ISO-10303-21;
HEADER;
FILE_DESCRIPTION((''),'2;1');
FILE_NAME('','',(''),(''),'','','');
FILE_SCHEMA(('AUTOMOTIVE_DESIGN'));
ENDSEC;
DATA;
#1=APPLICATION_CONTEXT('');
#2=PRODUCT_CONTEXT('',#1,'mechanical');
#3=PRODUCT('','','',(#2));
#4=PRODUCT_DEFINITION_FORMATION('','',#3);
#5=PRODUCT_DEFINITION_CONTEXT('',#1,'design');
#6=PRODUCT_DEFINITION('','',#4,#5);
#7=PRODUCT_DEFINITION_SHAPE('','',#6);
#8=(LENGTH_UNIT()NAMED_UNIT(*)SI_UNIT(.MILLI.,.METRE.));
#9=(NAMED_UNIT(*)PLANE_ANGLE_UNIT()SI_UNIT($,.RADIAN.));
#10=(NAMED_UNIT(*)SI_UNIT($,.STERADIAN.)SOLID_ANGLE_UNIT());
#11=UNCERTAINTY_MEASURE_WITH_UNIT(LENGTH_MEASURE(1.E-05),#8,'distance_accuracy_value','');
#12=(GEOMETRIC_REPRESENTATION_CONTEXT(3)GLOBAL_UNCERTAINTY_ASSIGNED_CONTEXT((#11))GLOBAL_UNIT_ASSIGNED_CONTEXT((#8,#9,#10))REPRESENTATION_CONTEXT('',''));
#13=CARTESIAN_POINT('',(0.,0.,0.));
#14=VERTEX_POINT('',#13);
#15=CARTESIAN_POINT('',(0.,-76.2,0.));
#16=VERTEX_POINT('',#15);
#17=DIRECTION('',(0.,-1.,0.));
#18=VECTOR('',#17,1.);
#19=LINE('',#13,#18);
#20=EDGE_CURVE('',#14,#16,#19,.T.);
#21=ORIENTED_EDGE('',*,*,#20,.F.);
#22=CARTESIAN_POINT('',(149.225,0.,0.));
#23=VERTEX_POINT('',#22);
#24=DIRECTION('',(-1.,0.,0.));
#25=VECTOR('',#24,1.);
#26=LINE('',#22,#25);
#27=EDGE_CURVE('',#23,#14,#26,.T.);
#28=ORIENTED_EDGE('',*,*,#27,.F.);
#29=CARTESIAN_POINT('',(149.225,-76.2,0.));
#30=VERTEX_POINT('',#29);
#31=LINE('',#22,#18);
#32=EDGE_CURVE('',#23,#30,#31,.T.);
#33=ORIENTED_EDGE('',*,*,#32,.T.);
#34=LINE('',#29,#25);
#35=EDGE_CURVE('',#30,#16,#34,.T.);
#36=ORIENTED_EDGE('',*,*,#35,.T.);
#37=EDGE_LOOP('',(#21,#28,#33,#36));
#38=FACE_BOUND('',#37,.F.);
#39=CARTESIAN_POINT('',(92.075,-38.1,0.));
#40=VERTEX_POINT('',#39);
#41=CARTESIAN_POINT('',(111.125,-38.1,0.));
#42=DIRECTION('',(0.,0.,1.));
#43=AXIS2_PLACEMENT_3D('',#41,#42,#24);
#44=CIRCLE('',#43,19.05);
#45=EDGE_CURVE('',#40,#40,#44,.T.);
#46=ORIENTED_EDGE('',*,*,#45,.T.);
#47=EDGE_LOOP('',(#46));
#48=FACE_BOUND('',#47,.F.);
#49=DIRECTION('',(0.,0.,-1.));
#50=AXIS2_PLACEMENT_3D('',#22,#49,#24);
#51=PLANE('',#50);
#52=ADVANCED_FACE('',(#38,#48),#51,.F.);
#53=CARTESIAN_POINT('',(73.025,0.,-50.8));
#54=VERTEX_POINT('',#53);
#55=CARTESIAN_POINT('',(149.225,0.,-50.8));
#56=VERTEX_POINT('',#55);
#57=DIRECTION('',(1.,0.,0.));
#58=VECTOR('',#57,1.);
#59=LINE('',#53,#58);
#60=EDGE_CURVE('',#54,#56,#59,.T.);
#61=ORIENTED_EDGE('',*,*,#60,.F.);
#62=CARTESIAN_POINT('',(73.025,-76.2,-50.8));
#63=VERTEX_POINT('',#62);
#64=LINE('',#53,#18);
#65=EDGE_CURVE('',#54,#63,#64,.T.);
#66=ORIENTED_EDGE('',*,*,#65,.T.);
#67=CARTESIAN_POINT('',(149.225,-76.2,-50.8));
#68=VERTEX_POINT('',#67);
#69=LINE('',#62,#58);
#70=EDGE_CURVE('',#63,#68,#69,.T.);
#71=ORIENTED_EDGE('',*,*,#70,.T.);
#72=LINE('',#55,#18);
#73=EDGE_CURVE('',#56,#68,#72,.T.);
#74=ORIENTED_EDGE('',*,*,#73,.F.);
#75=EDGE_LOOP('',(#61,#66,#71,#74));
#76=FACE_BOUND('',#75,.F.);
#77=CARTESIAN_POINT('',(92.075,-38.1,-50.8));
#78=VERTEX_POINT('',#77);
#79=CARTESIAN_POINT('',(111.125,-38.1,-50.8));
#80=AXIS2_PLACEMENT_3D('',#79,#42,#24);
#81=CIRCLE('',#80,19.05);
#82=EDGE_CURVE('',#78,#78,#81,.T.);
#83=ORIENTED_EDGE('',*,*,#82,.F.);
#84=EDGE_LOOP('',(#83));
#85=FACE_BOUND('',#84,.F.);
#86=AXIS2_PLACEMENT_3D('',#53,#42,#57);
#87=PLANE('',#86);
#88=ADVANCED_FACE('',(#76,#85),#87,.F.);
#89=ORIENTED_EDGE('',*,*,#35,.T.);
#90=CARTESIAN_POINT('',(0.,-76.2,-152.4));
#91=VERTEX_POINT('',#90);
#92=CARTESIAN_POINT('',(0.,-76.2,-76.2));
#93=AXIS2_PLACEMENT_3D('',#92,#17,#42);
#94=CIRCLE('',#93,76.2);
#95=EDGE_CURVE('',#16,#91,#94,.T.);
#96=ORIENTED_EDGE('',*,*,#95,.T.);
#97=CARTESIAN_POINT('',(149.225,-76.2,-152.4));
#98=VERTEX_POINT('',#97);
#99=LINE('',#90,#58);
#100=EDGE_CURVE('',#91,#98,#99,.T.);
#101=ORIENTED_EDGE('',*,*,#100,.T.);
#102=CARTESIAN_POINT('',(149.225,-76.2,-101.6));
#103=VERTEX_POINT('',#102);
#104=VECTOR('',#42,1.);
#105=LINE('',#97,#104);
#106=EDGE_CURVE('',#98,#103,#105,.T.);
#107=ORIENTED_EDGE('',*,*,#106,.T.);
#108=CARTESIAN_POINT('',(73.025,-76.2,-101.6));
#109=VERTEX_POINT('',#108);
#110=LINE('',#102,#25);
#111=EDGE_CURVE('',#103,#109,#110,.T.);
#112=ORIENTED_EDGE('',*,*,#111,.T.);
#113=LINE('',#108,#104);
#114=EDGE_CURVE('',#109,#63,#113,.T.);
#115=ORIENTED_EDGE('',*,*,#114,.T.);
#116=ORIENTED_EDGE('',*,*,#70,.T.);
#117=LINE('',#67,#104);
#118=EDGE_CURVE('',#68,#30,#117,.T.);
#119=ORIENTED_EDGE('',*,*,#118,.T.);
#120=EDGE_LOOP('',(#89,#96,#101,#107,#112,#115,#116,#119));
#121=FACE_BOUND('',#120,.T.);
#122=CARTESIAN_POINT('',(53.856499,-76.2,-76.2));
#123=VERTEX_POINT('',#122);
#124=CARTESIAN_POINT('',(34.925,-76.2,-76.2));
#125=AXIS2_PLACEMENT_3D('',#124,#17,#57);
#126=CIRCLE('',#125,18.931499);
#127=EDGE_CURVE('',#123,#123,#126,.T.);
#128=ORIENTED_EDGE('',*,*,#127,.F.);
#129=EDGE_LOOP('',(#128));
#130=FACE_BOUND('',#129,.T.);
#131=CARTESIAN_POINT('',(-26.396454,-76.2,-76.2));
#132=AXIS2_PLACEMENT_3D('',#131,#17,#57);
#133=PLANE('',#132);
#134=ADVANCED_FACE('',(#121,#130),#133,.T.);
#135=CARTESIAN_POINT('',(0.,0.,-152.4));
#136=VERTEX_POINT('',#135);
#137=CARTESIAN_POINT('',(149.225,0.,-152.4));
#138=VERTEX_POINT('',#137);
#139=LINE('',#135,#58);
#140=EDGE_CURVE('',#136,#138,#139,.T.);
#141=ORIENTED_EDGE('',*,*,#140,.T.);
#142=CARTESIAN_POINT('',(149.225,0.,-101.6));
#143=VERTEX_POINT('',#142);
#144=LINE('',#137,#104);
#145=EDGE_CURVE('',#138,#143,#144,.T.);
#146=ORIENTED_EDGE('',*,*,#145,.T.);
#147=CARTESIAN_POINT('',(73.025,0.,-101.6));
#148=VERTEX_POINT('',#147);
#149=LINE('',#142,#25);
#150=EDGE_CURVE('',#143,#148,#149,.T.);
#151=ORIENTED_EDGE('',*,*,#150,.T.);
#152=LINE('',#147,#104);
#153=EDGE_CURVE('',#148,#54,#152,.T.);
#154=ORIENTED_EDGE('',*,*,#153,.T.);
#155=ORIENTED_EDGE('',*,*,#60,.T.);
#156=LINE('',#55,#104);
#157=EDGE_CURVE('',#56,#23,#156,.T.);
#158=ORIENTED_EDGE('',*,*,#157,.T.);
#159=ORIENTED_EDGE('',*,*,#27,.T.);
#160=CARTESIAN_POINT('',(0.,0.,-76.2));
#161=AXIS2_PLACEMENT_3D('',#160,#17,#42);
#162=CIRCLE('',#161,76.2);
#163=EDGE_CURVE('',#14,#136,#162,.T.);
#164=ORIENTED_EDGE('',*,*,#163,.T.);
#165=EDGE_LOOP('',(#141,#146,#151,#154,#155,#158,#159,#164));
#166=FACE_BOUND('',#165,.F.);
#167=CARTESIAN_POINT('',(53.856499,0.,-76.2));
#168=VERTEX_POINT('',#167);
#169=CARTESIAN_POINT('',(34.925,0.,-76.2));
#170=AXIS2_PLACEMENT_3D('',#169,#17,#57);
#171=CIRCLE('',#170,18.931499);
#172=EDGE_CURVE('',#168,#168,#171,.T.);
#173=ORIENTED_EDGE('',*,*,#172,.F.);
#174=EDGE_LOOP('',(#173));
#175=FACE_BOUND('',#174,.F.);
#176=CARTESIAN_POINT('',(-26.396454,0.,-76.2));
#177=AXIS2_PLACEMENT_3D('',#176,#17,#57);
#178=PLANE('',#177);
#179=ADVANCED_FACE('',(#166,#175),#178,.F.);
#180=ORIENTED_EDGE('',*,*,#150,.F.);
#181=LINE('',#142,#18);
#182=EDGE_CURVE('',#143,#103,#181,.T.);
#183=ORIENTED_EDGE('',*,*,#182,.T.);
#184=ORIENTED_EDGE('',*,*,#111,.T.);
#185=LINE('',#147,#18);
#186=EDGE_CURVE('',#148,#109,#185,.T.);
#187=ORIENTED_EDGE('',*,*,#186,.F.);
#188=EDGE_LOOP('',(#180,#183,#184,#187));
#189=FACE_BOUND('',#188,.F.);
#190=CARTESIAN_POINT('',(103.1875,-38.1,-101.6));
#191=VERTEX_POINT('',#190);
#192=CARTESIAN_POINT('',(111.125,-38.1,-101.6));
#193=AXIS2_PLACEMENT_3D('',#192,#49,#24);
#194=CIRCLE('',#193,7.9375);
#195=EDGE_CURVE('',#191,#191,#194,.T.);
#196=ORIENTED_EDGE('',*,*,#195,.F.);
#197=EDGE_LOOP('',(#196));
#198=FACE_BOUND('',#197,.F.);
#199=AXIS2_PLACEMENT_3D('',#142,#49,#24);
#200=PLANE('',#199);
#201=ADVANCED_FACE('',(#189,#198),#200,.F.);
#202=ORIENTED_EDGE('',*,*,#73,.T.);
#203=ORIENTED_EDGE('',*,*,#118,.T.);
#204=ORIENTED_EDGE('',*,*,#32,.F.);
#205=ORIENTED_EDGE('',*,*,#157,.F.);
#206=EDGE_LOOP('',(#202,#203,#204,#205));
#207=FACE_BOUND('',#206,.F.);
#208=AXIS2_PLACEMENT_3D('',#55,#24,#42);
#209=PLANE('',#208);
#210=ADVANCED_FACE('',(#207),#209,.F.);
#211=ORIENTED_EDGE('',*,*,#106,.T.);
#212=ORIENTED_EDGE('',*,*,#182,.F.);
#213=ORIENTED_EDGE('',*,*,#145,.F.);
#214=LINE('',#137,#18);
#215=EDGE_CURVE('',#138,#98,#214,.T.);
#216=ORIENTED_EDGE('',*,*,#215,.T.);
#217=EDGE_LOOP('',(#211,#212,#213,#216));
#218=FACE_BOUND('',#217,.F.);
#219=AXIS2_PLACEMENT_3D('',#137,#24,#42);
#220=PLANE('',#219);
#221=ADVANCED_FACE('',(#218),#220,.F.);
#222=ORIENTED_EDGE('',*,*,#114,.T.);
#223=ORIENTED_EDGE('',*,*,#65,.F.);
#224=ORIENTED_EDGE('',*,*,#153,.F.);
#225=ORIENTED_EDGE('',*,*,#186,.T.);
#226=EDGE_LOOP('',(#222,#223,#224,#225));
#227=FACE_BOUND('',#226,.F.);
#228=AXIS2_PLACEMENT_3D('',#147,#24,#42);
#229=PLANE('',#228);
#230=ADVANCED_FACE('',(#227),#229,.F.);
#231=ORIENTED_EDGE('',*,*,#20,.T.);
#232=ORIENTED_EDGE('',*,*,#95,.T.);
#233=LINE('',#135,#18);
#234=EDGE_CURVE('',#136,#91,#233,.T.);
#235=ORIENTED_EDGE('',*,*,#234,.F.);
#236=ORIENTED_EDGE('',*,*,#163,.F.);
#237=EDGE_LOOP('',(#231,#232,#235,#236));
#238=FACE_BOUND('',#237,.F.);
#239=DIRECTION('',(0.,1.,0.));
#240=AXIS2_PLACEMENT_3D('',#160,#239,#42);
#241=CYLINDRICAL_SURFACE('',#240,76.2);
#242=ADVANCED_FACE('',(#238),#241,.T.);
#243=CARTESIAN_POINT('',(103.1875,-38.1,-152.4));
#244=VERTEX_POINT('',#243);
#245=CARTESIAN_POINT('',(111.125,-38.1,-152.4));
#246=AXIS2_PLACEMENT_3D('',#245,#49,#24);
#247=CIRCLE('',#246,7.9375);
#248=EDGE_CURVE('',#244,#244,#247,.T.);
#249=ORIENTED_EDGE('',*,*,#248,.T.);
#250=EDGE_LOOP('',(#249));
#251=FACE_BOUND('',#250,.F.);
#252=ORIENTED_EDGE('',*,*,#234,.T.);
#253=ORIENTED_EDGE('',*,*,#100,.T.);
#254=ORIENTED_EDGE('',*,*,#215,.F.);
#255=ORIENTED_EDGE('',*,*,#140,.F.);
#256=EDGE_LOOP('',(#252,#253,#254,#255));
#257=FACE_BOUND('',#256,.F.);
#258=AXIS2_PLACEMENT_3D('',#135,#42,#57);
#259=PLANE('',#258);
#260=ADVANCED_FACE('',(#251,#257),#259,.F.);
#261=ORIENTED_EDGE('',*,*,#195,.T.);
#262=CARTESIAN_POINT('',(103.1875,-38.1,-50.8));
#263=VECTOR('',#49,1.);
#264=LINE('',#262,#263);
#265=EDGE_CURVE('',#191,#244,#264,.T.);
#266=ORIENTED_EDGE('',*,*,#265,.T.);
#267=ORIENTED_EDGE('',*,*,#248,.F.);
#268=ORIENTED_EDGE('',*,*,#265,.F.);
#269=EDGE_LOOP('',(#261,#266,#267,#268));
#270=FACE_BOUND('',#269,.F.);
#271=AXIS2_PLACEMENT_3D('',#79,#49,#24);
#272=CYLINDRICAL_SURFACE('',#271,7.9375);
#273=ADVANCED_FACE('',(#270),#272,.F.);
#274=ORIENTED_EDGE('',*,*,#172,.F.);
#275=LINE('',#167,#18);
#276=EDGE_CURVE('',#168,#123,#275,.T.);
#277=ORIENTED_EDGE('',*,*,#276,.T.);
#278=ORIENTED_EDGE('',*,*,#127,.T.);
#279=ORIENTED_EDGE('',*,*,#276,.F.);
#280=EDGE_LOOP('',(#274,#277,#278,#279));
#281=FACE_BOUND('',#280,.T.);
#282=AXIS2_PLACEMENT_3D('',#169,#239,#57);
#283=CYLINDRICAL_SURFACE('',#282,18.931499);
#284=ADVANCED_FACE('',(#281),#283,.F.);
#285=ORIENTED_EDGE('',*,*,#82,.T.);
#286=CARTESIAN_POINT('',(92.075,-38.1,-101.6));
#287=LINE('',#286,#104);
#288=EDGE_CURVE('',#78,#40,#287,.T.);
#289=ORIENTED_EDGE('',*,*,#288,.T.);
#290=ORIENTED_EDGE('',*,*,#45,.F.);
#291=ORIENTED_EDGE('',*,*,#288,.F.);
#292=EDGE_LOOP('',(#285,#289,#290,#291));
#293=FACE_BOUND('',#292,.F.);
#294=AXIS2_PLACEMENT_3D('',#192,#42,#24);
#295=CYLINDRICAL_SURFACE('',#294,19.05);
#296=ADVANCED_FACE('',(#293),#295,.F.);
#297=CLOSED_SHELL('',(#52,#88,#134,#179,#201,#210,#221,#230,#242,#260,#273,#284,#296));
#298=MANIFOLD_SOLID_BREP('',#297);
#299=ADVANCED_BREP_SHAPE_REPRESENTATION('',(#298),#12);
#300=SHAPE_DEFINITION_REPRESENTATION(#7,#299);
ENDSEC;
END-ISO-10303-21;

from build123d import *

# Parameters (mm, degrees)
F0_R     = 18.931499
F1_DEPTH = 76.2
F4_D     = 38.1
F4_DEPTH = 50.8
F5_D     = 15.875
F5_DEPTH = 50.8


with BuildPart() as f1:
    # F0 (on Front) → F1 (new body)
    with BuildSketch(Plane.XZ):
        with BuildLine():
            Line((0, -152.4), (0, 0))
            ThreePointArc((0, 0), (-76.2, -76.2), (0, -152.4))
        make_face()
        Polygon((149.225, 0), (0, 0), (0, -152.4), (149.225, -152.4), (149.225, -101.6), (73.025, -101.6), (73.025, -50.8), (149.225, -50.8), align=None)
        with Locations((34.925, -76.2)):
            Circle(F0_R, mode=Mode.SUBTRACT)
    extrude(amount=F1_DEPTH)

    # F4
    with Locations(Plane(origin=(0, 0, -50.8), x_dir=(1, 0, 0), z_dir=(0, 0, -1))):
        with Locations((111.125, 38.1)):
            Hole(F4_D / 2, depth=F4_DEPTH)

    # F5
    with Locations(Plane.XY.offset(-101.6)):
        with Locations((111.125, -38.1)):
            Hole(F5_D / 2, depth=F5_DEPTH)


solid = f1.part
